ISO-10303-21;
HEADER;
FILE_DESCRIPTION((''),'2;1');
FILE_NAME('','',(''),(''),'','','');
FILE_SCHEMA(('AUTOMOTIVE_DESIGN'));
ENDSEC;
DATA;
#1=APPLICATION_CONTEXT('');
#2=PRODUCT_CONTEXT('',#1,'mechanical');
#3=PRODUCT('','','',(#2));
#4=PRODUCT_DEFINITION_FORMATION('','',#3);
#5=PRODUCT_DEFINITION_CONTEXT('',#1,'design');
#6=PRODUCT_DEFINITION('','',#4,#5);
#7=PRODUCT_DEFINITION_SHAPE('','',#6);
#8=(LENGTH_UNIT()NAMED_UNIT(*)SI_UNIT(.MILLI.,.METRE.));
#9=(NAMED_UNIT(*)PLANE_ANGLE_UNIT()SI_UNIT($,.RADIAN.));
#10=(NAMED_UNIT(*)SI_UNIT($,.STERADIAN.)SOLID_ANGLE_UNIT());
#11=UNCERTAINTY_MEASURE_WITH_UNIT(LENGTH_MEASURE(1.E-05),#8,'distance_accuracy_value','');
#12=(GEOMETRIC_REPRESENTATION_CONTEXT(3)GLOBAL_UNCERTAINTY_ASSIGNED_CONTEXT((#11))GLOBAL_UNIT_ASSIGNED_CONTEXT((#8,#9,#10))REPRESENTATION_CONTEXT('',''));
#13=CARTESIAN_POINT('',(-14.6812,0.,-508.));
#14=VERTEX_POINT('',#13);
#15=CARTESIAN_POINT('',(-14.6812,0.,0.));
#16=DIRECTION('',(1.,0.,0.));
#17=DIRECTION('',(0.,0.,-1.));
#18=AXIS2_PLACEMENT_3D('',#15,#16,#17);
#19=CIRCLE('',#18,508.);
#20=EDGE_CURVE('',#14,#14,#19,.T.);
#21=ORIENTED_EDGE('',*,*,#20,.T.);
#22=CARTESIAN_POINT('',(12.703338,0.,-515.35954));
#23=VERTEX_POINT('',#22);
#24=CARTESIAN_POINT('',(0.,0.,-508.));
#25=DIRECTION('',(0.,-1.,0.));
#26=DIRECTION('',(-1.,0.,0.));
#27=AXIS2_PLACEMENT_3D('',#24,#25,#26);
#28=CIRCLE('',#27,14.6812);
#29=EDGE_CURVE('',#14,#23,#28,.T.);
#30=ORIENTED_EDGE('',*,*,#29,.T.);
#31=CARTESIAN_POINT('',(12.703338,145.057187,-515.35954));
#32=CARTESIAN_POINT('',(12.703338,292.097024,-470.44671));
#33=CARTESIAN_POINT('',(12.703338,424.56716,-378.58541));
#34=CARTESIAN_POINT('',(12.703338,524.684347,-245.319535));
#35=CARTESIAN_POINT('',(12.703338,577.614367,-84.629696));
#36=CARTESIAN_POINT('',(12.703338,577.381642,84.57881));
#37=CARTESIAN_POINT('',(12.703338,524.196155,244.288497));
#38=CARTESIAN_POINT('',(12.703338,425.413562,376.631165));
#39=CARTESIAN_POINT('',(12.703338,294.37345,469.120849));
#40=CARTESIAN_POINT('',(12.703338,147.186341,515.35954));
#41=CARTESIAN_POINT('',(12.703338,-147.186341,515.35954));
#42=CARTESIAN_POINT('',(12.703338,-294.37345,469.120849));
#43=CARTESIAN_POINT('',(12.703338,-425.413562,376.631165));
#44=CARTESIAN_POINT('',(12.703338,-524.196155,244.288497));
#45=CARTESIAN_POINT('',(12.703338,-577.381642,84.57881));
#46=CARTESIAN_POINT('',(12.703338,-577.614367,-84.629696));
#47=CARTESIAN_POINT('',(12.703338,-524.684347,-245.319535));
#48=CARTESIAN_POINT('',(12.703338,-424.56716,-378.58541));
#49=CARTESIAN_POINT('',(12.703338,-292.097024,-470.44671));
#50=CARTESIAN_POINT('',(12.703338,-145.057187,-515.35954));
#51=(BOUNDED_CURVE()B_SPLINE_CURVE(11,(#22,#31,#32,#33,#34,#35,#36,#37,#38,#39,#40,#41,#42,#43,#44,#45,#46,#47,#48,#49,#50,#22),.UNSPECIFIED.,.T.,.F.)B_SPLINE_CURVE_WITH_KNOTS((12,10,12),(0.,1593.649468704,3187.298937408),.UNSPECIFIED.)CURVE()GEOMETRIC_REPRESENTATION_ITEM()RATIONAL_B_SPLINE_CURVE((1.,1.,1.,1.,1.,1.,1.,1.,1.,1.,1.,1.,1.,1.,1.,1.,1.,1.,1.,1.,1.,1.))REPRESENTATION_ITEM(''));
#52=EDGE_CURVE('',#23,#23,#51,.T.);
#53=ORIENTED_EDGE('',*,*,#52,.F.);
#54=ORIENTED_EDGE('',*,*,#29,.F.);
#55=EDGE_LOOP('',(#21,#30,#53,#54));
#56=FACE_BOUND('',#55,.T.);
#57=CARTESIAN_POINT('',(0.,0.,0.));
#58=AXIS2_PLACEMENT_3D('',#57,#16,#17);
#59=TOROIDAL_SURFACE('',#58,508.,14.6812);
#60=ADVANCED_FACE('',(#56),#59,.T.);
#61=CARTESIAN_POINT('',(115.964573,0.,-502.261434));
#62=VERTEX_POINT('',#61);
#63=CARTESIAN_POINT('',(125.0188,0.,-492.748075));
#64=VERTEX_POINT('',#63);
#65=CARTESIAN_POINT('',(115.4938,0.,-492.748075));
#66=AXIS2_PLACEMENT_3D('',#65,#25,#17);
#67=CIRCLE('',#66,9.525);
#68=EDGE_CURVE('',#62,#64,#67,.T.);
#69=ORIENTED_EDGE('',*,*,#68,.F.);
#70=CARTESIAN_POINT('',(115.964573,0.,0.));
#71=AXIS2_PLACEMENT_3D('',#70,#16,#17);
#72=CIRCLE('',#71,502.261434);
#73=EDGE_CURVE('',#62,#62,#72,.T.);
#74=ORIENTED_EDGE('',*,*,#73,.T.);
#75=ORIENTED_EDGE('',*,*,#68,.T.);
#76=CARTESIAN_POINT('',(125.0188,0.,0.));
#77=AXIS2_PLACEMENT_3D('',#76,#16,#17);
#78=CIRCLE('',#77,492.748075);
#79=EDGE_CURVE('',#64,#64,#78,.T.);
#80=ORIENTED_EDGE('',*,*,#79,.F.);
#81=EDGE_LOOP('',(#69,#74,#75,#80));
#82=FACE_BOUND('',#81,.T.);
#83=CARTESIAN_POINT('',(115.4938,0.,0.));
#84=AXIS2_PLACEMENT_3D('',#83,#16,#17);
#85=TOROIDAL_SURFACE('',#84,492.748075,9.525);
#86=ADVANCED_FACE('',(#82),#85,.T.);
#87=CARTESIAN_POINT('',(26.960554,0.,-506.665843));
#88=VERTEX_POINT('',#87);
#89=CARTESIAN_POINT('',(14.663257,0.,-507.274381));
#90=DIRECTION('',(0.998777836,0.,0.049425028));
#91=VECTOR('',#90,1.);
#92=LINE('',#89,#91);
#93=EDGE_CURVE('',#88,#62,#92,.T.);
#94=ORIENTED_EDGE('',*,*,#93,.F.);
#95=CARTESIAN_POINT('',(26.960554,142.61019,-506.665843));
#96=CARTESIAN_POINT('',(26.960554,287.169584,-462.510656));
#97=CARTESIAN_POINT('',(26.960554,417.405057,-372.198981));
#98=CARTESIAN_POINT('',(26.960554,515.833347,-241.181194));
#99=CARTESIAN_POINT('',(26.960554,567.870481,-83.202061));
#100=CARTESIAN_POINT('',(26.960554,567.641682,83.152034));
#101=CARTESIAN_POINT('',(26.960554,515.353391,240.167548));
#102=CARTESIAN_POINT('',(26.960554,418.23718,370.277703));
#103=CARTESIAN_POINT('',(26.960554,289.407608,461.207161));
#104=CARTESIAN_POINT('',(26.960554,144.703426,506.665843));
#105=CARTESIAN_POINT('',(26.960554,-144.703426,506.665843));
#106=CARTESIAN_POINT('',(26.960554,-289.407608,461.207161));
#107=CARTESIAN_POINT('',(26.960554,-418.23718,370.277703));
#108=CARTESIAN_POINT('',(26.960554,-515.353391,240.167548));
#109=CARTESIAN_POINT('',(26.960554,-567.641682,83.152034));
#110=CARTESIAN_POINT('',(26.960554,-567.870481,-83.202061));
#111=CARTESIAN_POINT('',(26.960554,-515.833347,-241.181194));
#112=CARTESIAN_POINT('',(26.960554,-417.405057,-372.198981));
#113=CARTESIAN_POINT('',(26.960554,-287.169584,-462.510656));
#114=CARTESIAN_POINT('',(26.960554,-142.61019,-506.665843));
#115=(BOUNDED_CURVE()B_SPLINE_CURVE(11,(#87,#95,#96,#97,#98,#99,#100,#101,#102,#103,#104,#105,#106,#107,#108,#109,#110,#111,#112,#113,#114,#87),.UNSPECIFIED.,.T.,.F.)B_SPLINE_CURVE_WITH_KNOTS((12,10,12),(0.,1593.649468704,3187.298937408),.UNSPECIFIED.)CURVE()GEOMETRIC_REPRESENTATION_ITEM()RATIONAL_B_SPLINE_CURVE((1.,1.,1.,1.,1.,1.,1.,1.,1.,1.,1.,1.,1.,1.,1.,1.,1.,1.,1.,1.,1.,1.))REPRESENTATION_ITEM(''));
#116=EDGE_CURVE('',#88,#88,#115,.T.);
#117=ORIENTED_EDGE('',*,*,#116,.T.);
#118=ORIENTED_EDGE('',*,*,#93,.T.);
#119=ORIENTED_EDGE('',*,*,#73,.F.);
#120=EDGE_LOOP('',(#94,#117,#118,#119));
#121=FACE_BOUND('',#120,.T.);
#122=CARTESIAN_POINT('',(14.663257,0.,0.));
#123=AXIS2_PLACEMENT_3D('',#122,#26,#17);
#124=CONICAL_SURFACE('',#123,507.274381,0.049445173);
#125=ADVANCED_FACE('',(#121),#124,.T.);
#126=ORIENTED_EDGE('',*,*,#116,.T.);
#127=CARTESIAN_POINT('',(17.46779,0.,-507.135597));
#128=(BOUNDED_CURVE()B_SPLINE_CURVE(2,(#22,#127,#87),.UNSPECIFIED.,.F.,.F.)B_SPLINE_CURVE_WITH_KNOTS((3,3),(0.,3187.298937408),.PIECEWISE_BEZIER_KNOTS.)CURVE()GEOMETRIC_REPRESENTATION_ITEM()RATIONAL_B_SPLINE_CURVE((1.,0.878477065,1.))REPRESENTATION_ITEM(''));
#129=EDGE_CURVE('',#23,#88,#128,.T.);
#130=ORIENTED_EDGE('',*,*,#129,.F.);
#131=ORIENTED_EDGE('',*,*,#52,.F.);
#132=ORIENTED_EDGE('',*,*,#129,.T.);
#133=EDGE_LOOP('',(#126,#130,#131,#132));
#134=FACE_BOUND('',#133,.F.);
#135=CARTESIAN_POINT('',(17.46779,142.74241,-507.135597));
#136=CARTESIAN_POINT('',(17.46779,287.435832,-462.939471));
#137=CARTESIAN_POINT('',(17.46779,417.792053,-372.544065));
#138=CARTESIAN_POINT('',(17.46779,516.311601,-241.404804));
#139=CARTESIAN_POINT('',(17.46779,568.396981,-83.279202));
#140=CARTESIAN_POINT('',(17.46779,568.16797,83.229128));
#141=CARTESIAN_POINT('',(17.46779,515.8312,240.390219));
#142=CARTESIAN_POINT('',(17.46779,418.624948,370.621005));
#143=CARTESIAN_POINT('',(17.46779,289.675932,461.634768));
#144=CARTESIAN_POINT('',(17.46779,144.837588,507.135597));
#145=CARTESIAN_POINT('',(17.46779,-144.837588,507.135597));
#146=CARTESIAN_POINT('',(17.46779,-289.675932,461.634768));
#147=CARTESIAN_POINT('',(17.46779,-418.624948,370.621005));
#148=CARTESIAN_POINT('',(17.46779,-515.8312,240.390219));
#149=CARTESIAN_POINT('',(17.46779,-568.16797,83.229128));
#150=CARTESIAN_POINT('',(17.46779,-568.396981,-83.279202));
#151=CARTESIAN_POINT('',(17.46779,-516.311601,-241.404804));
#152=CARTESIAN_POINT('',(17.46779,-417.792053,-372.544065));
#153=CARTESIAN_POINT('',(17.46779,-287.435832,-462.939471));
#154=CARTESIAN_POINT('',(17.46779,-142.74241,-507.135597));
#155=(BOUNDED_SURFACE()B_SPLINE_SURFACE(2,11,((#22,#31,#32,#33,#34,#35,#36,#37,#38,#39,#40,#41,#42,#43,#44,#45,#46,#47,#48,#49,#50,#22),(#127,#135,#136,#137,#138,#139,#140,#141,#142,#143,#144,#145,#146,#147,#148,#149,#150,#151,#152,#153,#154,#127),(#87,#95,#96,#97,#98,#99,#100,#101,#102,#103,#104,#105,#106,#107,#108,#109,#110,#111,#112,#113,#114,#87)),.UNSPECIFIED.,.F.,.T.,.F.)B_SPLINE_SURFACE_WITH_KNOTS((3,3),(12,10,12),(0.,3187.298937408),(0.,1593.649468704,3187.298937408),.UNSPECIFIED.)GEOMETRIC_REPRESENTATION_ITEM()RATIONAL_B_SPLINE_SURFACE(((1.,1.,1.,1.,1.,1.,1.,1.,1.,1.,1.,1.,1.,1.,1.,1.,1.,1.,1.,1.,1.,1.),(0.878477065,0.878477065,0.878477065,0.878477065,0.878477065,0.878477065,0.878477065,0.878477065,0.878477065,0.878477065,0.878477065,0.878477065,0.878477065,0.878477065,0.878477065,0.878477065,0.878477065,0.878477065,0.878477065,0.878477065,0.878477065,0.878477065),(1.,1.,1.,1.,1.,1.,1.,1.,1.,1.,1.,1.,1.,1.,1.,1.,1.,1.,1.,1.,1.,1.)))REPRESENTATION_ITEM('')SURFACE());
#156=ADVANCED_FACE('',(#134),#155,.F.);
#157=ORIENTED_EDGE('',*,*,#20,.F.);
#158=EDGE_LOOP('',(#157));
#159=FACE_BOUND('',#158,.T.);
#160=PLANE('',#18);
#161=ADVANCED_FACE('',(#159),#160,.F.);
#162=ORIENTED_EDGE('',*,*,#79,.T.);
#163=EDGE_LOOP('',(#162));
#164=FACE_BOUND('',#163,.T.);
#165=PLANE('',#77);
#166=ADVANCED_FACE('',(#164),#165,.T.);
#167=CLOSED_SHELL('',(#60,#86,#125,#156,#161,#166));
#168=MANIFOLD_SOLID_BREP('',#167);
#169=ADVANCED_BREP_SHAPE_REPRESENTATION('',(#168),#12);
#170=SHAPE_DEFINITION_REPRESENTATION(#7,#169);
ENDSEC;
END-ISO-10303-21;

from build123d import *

# Parameters (mm, degrees)
F2_R = 17.4752
F3_R = 9.525


with BuildPart() as f1:
    # F0 (on Front) → F1 (revolve)
    with BuildSketch(Plane.XZ):
        with BuildLine():
            ThreePointArc((14.663257, -507.274381), (-0.36292, -493.323286), (-14.6812, -508))
            ThreePointArc((-14.6812, -508), (0, -522.6812), (14.6812, -508))
            ThreePointArc((14.6812, -508), (14.676714, -507.63708), (14.663257, -507.274381))
        make_face()
        with BuildLine():
            Line((-14.6812, 0), (-14.6812, -508))
            ThreePointArc((-14.6812, -508), (-0.36292, -493.323286), (14.663257, -507.274381))
            Line((14.663257, -507.274381), (125.0188, -501.813381))
            Line((125.0188, -501.813381), (125.0188, 0))
            Line((125.0188, 0), (-14.6812, 0))
        make_face()
    revolve(axis=Axis((55.1688, 0, 0), (1, 0, 0)))

    # F2
    f2_edges = [f1.edges().sort_by_distance(p)[0] for p in [
        (14.663257, 0, 507.274381),
    ]]
    fillet(f2_edges, radius=F2_R)

    # F3
    f3_edges = [f1.edges().sort_by_distance(p)[0] for p in [
        (125.0188, 0, 501.813381),
    ]]
    fillet(f3_edges, radius=F3_R)


solid = f1.part
